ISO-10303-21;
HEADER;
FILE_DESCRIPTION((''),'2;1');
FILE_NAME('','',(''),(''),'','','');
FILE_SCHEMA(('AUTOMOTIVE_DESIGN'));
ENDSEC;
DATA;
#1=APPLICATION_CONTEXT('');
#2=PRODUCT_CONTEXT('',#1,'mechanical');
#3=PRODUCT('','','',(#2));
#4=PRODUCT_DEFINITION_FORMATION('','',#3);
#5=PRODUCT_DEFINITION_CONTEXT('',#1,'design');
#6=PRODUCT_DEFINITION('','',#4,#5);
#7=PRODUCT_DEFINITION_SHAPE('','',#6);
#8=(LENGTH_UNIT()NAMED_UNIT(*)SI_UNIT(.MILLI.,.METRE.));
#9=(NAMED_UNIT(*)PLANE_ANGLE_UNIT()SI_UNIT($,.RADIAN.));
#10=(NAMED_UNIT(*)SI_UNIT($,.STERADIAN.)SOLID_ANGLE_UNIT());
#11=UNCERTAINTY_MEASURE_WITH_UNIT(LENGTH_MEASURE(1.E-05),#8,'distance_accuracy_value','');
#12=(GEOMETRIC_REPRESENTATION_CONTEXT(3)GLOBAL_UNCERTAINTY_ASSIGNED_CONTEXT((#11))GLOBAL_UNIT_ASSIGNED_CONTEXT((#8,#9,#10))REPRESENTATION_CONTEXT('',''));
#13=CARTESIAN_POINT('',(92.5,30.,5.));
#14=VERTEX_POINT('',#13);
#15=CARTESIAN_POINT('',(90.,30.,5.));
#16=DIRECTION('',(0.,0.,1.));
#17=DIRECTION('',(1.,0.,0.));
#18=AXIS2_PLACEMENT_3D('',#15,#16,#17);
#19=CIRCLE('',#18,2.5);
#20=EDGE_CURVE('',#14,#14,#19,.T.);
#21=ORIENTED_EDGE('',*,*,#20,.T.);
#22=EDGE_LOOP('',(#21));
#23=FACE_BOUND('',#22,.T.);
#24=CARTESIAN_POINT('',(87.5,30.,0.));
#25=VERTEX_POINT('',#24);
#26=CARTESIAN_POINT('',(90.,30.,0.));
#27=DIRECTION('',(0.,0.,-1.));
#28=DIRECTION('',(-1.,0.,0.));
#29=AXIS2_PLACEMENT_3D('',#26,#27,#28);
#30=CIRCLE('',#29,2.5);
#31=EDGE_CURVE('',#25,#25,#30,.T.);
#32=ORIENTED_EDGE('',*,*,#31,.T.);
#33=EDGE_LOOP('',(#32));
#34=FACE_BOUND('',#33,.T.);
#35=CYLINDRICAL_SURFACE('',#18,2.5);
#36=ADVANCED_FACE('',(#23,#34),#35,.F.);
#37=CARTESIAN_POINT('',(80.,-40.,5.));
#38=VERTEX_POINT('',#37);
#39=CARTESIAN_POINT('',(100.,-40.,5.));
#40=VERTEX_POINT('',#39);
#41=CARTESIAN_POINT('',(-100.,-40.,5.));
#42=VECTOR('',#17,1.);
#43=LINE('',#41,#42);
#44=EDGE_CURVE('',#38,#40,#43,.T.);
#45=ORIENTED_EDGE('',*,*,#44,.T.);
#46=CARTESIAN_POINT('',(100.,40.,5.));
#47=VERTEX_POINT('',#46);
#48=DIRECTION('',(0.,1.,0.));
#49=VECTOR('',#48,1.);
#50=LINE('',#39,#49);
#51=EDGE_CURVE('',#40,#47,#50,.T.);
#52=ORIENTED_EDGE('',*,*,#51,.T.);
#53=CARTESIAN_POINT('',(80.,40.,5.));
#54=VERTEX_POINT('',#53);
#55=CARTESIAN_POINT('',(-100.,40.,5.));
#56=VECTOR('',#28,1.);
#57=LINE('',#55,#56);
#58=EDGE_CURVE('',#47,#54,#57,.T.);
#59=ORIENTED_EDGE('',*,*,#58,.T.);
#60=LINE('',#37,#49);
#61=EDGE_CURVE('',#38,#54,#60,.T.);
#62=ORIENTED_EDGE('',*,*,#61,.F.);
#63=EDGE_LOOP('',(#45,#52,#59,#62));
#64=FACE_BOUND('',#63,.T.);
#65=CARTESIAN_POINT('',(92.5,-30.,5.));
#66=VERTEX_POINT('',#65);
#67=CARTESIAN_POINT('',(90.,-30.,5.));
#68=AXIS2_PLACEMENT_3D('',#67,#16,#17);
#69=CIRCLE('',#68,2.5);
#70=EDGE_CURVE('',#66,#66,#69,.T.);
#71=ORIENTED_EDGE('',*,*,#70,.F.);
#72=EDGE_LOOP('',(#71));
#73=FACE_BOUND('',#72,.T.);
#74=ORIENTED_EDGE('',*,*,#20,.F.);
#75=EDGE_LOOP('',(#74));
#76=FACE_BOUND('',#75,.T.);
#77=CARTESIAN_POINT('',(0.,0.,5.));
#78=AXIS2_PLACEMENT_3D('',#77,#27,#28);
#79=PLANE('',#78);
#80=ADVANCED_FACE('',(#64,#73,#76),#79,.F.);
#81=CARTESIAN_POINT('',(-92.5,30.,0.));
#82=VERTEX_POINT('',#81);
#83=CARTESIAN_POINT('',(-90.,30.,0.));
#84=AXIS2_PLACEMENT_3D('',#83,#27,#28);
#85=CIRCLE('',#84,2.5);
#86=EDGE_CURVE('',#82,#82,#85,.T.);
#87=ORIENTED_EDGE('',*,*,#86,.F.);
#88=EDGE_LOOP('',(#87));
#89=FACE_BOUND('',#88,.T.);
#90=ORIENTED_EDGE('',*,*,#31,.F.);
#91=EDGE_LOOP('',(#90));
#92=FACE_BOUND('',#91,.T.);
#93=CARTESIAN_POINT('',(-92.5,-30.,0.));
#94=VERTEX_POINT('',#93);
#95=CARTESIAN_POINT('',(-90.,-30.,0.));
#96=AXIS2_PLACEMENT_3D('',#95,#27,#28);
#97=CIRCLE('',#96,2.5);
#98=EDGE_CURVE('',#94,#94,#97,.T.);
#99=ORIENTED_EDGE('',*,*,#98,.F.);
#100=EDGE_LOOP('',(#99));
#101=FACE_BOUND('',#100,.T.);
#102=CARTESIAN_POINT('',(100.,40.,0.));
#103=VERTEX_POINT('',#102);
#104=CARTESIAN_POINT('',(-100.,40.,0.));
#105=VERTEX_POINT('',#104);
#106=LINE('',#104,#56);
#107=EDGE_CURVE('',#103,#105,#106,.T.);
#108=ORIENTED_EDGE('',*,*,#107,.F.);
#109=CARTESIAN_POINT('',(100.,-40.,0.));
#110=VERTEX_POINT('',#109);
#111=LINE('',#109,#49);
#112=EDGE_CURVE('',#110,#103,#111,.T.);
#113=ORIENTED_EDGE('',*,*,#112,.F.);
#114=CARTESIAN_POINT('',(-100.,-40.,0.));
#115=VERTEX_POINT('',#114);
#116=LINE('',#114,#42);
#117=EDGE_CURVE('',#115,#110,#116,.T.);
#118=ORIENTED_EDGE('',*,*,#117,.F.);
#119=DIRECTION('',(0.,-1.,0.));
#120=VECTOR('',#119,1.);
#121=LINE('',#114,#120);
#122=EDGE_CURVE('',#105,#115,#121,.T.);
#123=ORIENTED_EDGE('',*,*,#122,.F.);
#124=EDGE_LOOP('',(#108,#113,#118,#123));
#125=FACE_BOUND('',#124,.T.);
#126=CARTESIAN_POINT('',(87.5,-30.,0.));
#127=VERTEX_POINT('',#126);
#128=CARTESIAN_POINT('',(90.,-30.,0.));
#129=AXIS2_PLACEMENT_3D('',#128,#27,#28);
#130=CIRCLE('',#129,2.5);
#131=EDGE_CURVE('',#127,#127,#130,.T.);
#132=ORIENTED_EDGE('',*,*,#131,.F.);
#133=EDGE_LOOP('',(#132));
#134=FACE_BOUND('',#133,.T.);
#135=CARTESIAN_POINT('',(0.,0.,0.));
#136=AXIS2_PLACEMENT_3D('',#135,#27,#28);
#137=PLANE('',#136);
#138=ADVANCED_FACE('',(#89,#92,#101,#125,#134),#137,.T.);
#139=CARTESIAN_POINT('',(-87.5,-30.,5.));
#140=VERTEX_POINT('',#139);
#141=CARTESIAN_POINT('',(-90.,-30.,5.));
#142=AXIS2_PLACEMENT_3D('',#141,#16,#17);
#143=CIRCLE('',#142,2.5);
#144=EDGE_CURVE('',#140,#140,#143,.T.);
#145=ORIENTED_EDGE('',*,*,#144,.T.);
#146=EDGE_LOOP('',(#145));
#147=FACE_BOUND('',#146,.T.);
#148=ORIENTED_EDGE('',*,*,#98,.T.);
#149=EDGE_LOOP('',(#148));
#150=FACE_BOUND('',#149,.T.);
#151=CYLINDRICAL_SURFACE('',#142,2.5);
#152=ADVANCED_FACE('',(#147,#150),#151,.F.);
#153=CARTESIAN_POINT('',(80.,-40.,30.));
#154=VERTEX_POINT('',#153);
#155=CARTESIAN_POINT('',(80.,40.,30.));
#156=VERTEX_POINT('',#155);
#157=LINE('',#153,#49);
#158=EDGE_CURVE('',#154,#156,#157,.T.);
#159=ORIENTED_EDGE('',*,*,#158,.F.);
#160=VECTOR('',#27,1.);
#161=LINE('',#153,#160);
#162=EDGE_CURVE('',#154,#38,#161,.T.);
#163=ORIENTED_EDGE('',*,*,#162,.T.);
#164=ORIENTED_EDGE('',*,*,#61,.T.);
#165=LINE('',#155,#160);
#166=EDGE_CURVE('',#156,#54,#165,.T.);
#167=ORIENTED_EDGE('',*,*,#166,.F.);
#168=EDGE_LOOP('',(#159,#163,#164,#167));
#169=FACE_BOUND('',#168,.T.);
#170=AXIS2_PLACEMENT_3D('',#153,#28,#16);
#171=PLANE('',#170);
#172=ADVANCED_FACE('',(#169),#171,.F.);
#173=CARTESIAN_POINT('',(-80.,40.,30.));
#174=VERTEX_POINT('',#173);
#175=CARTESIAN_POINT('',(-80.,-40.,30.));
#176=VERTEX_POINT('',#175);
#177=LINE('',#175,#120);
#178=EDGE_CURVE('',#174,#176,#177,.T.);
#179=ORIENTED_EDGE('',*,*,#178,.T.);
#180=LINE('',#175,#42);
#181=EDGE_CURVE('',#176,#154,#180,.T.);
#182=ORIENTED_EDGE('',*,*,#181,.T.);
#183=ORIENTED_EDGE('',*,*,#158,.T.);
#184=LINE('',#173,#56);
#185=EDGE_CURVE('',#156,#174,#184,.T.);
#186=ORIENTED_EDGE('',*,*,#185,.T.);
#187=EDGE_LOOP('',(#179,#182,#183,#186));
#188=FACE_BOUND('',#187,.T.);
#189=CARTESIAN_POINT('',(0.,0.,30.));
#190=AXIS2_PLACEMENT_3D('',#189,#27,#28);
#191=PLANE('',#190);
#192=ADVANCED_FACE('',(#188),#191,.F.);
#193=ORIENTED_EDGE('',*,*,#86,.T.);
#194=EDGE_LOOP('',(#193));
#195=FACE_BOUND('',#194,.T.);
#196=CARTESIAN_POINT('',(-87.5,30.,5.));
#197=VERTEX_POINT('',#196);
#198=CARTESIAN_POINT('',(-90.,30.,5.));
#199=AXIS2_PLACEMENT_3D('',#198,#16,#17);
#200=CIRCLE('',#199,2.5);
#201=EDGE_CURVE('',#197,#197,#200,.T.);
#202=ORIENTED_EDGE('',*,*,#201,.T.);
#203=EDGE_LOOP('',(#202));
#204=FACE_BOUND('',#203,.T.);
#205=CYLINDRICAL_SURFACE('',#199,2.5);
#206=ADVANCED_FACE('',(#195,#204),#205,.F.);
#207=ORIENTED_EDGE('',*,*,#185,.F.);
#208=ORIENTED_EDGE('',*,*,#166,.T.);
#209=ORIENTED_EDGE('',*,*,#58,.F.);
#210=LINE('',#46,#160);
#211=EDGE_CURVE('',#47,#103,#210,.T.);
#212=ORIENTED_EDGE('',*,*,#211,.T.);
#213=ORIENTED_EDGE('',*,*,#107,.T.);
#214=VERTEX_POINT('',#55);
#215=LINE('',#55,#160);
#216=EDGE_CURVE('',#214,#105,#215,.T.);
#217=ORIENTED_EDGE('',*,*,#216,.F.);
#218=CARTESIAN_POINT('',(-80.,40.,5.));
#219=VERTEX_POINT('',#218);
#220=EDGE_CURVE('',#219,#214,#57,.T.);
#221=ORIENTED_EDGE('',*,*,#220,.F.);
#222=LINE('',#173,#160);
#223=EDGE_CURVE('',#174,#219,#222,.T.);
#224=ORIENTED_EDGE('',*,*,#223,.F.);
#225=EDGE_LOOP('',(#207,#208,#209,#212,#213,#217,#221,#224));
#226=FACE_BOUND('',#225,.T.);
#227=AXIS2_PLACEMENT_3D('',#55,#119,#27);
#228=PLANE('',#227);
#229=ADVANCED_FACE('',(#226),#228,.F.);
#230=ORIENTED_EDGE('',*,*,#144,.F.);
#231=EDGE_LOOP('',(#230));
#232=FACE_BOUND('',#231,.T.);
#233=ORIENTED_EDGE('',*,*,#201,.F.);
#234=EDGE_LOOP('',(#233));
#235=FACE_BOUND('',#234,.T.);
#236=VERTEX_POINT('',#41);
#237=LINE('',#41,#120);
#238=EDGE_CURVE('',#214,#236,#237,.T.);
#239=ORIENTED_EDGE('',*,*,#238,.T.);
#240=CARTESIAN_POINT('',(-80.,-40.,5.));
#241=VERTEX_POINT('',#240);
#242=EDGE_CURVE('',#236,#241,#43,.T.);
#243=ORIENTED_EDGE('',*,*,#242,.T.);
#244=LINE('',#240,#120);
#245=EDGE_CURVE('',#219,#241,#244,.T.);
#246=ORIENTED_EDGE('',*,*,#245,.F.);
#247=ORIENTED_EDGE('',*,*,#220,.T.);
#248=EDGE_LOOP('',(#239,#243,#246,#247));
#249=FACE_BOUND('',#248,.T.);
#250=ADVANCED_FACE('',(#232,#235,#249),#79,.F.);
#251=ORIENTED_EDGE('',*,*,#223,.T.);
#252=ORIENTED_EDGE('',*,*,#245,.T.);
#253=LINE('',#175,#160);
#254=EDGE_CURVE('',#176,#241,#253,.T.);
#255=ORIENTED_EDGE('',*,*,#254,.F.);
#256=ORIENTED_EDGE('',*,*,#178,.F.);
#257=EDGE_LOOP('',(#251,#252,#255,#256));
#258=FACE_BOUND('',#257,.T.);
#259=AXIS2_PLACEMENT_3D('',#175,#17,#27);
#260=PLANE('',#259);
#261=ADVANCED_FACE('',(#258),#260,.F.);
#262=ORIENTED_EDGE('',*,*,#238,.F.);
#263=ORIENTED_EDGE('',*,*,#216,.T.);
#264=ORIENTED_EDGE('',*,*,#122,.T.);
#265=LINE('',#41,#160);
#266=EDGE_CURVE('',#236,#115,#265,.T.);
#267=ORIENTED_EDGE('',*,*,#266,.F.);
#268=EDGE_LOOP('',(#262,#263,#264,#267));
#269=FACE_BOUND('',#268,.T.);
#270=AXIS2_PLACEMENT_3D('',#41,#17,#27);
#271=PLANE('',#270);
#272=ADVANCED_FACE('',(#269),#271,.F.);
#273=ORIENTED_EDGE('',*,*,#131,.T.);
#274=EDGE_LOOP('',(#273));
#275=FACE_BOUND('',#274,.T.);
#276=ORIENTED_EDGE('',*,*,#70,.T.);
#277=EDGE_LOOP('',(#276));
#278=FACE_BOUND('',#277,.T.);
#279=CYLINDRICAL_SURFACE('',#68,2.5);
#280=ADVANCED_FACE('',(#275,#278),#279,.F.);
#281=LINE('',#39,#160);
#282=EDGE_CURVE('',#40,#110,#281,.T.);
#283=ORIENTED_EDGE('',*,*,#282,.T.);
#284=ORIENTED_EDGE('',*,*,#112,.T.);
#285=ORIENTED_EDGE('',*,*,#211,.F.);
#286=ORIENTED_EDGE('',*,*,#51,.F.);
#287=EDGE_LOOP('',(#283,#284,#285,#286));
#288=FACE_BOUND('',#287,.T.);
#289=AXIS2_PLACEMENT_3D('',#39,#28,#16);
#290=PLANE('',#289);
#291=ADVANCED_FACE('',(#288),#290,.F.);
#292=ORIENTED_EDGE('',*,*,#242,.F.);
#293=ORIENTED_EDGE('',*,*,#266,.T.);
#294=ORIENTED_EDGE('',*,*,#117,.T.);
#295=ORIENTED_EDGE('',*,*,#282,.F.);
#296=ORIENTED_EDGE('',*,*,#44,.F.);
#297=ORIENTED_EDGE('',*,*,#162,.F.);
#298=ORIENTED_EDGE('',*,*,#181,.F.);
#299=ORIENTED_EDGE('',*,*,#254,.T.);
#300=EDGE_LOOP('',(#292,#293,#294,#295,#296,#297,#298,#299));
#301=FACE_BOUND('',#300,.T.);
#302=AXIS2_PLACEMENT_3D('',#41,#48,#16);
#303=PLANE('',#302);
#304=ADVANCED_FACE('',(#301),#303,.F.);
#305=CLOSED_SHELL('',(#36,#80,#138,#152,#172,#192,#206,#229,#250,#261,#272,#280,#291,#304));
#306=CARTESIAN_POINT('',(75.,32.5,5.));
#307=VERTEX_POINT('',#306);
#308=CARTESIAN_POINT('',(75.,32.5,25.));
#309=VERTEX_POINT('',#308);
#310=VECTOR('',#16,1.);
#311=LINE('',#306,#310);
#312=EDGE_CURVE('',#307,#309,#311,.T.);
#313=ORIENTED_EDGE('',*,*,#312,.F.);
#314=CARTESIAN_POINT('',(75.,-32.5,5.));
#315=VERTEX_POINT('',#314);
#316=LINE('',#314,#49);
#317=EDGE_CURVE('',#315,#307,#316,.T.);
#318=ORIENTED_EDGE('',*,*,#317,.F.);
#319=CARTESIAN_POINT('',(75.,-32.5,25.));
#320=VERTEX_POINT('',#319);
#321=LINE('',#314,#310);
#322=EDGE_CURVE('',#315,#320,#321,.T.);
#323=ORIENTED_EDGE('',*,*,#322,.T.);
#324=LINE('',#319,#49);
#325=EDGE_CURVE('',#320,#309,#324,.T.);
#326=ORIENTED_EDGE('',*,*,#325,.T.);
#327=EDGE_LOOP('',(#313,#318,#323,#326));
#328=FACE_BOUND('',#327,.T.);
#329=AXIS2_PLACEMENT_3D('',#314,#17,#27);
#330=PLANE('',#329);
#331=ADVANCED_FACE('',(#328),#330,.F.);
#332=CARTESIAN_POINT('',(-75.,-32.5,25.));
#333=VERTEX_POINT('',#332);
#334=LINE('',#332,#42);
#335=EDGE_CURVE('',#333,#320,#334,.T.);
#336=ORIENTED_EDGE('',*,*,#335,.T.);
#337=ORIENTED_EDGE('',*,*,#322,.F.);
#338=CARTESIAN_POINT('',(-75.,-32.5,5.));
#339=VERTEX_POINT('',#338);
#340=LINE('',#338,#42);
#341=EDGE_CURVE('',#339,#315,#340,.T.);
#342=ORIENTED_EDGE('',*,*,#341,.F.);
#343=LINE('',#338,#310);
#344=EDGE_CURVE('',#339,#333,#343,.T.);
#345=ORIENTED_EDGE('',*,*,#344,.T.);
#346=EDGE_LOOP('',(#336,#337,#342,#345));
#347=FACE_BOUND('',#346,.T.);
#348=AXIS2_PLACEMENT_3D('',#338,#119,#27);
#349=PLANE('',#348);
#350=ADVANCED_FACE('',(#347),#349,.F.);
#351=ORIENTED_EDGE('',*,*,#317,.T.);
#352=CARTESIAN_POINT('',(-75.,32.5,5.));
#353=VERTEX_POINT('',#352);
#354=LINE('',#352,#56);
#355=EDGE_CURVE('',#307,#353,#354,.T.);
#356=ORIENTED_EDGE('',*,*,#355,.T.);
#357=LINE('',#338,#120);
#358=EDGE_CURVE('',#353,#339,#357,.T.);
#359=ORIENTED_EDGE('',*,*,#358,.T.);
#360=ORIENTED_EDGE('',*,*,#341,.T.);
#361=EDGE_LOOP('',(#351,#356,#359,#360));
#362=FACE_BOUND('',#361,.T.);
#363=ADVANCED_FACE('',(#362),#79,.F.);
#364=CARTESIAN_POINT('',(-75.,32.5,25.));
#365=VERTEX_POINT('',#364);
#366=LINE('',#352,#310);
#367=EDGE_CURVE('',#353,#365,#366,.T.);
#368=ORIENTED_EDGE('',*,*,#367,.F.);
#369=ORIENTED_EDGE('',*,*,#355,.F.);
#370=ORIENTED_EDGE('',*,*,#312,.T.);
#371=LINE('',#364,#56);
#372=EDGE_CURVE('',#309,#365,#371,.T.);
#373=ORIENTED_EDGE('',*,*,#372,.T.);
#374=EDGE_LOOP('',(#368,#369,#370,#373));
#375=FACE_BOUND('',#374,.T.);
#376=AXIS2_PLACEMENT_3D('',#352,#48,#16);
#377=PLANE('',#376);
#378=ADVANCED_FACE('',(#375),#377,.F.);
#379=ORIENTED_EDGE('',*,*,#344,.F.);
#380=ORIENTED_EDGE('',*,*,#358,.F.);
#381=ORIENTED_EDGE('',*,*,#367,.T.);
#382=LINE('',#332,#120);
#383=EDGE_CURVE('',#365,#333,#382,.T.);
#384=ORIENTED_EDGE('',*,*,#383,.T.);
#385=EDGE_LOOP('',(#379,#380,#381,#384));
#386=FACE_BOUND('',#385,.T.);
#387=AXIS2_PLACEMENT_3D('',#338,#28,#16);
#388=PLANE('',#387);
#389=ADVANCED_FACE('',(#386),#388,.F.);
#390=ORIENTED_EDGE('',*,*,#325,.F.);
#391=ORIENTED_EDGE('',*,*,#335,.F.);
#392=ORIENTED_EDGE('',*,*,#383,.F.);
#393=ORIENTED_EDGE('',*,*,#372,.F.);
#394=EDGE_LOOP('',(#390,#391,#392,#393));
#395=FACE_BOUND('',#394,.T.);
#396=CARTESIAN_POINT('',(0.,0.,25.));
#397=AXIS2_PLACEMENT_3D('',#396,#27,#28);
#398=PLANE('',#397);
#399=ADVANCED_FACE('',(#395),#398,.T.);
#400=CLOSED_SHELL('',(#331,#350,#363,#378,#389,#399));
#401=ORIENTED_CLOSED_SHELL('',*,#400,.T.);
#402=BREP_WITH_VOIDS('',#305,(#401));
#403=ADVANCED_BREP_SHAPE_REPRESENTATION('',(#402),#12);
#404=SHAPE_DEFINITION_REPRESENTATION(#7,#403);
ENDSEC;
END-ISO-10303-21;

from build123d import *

# Parameters (mm, degrees)
SKETCH_1_W             = 200
SKETCH_1_H             = 80
EXTRUDE_1_DEPTH        = 5
SKETCH_2_W             = 160
SKETCH_2_H             = 80
EXTRUDE_2_DEPTH        = 25
CUT_EXTRUDE_START      = -5
SKETCH_3_W             = 150
SKETCH_3_H             = 65
CUT_EXTRUDE_1_DEPTH    = 20
HOLE_WIZARD_M6_1_D     = 5
HOLE_WIZARD_M6_1_DEPTH = 15
HOLE_WIZARD_M6_1_TIP   = 1.502151548


with BuildPart() as part:
    # 草图1 → 凸台-拉伸1 (new body)
    with BuildSketch(Plane.XY):
        Rectangle(SKETCH_1_W, SKETCH_1_H)
    extrude(amount=EXTRUDE_1_DEPTH)

    # 草图2 → 凸台-拉伸2 (add)
    with BuildSketch(Plane.XY.offset(5)):
        Rectangle(SKETCH_2_W, SKETCH_2_H)
    extrude(amount=EXTRUDE_2_DEPTH)

    # 草图3 → 切除-拉伸1 (cut)
    with BuildSketch(Plane.XY.offset(30).offset(CUT_EXTRUDE_START)):
        Rectangle(SKETCH_3_W, SKETCH_3_H)
    extrude(amount=-CUT_EXTRUDE_1_DEPTH, mode=Mode.SUBTRACT)

    # M6 螺纹孔1
    with Locations(Plane.XY.offset(5)):
        with Locations((-90, 30), (-90, -30), (90, 30), (90, -30)):
            Hole(HOLE_WIZARD_M6_1_D / 2, depth=HOLE_WIZARD_M6_1_DEPTH)
            with Locations((0, 0, -(HOLE_WIZARD_M6_1_DEPTH + HOLE_WIZARD_M6_1_TIP / 2))):  # 118° drill point
                Cone(0, HOLE_WIZARD_M6_1_D / 2, HOLE_WIZARD_M6_1_TIP, mode=Mode.SUBTRACT)


solid = part.part
